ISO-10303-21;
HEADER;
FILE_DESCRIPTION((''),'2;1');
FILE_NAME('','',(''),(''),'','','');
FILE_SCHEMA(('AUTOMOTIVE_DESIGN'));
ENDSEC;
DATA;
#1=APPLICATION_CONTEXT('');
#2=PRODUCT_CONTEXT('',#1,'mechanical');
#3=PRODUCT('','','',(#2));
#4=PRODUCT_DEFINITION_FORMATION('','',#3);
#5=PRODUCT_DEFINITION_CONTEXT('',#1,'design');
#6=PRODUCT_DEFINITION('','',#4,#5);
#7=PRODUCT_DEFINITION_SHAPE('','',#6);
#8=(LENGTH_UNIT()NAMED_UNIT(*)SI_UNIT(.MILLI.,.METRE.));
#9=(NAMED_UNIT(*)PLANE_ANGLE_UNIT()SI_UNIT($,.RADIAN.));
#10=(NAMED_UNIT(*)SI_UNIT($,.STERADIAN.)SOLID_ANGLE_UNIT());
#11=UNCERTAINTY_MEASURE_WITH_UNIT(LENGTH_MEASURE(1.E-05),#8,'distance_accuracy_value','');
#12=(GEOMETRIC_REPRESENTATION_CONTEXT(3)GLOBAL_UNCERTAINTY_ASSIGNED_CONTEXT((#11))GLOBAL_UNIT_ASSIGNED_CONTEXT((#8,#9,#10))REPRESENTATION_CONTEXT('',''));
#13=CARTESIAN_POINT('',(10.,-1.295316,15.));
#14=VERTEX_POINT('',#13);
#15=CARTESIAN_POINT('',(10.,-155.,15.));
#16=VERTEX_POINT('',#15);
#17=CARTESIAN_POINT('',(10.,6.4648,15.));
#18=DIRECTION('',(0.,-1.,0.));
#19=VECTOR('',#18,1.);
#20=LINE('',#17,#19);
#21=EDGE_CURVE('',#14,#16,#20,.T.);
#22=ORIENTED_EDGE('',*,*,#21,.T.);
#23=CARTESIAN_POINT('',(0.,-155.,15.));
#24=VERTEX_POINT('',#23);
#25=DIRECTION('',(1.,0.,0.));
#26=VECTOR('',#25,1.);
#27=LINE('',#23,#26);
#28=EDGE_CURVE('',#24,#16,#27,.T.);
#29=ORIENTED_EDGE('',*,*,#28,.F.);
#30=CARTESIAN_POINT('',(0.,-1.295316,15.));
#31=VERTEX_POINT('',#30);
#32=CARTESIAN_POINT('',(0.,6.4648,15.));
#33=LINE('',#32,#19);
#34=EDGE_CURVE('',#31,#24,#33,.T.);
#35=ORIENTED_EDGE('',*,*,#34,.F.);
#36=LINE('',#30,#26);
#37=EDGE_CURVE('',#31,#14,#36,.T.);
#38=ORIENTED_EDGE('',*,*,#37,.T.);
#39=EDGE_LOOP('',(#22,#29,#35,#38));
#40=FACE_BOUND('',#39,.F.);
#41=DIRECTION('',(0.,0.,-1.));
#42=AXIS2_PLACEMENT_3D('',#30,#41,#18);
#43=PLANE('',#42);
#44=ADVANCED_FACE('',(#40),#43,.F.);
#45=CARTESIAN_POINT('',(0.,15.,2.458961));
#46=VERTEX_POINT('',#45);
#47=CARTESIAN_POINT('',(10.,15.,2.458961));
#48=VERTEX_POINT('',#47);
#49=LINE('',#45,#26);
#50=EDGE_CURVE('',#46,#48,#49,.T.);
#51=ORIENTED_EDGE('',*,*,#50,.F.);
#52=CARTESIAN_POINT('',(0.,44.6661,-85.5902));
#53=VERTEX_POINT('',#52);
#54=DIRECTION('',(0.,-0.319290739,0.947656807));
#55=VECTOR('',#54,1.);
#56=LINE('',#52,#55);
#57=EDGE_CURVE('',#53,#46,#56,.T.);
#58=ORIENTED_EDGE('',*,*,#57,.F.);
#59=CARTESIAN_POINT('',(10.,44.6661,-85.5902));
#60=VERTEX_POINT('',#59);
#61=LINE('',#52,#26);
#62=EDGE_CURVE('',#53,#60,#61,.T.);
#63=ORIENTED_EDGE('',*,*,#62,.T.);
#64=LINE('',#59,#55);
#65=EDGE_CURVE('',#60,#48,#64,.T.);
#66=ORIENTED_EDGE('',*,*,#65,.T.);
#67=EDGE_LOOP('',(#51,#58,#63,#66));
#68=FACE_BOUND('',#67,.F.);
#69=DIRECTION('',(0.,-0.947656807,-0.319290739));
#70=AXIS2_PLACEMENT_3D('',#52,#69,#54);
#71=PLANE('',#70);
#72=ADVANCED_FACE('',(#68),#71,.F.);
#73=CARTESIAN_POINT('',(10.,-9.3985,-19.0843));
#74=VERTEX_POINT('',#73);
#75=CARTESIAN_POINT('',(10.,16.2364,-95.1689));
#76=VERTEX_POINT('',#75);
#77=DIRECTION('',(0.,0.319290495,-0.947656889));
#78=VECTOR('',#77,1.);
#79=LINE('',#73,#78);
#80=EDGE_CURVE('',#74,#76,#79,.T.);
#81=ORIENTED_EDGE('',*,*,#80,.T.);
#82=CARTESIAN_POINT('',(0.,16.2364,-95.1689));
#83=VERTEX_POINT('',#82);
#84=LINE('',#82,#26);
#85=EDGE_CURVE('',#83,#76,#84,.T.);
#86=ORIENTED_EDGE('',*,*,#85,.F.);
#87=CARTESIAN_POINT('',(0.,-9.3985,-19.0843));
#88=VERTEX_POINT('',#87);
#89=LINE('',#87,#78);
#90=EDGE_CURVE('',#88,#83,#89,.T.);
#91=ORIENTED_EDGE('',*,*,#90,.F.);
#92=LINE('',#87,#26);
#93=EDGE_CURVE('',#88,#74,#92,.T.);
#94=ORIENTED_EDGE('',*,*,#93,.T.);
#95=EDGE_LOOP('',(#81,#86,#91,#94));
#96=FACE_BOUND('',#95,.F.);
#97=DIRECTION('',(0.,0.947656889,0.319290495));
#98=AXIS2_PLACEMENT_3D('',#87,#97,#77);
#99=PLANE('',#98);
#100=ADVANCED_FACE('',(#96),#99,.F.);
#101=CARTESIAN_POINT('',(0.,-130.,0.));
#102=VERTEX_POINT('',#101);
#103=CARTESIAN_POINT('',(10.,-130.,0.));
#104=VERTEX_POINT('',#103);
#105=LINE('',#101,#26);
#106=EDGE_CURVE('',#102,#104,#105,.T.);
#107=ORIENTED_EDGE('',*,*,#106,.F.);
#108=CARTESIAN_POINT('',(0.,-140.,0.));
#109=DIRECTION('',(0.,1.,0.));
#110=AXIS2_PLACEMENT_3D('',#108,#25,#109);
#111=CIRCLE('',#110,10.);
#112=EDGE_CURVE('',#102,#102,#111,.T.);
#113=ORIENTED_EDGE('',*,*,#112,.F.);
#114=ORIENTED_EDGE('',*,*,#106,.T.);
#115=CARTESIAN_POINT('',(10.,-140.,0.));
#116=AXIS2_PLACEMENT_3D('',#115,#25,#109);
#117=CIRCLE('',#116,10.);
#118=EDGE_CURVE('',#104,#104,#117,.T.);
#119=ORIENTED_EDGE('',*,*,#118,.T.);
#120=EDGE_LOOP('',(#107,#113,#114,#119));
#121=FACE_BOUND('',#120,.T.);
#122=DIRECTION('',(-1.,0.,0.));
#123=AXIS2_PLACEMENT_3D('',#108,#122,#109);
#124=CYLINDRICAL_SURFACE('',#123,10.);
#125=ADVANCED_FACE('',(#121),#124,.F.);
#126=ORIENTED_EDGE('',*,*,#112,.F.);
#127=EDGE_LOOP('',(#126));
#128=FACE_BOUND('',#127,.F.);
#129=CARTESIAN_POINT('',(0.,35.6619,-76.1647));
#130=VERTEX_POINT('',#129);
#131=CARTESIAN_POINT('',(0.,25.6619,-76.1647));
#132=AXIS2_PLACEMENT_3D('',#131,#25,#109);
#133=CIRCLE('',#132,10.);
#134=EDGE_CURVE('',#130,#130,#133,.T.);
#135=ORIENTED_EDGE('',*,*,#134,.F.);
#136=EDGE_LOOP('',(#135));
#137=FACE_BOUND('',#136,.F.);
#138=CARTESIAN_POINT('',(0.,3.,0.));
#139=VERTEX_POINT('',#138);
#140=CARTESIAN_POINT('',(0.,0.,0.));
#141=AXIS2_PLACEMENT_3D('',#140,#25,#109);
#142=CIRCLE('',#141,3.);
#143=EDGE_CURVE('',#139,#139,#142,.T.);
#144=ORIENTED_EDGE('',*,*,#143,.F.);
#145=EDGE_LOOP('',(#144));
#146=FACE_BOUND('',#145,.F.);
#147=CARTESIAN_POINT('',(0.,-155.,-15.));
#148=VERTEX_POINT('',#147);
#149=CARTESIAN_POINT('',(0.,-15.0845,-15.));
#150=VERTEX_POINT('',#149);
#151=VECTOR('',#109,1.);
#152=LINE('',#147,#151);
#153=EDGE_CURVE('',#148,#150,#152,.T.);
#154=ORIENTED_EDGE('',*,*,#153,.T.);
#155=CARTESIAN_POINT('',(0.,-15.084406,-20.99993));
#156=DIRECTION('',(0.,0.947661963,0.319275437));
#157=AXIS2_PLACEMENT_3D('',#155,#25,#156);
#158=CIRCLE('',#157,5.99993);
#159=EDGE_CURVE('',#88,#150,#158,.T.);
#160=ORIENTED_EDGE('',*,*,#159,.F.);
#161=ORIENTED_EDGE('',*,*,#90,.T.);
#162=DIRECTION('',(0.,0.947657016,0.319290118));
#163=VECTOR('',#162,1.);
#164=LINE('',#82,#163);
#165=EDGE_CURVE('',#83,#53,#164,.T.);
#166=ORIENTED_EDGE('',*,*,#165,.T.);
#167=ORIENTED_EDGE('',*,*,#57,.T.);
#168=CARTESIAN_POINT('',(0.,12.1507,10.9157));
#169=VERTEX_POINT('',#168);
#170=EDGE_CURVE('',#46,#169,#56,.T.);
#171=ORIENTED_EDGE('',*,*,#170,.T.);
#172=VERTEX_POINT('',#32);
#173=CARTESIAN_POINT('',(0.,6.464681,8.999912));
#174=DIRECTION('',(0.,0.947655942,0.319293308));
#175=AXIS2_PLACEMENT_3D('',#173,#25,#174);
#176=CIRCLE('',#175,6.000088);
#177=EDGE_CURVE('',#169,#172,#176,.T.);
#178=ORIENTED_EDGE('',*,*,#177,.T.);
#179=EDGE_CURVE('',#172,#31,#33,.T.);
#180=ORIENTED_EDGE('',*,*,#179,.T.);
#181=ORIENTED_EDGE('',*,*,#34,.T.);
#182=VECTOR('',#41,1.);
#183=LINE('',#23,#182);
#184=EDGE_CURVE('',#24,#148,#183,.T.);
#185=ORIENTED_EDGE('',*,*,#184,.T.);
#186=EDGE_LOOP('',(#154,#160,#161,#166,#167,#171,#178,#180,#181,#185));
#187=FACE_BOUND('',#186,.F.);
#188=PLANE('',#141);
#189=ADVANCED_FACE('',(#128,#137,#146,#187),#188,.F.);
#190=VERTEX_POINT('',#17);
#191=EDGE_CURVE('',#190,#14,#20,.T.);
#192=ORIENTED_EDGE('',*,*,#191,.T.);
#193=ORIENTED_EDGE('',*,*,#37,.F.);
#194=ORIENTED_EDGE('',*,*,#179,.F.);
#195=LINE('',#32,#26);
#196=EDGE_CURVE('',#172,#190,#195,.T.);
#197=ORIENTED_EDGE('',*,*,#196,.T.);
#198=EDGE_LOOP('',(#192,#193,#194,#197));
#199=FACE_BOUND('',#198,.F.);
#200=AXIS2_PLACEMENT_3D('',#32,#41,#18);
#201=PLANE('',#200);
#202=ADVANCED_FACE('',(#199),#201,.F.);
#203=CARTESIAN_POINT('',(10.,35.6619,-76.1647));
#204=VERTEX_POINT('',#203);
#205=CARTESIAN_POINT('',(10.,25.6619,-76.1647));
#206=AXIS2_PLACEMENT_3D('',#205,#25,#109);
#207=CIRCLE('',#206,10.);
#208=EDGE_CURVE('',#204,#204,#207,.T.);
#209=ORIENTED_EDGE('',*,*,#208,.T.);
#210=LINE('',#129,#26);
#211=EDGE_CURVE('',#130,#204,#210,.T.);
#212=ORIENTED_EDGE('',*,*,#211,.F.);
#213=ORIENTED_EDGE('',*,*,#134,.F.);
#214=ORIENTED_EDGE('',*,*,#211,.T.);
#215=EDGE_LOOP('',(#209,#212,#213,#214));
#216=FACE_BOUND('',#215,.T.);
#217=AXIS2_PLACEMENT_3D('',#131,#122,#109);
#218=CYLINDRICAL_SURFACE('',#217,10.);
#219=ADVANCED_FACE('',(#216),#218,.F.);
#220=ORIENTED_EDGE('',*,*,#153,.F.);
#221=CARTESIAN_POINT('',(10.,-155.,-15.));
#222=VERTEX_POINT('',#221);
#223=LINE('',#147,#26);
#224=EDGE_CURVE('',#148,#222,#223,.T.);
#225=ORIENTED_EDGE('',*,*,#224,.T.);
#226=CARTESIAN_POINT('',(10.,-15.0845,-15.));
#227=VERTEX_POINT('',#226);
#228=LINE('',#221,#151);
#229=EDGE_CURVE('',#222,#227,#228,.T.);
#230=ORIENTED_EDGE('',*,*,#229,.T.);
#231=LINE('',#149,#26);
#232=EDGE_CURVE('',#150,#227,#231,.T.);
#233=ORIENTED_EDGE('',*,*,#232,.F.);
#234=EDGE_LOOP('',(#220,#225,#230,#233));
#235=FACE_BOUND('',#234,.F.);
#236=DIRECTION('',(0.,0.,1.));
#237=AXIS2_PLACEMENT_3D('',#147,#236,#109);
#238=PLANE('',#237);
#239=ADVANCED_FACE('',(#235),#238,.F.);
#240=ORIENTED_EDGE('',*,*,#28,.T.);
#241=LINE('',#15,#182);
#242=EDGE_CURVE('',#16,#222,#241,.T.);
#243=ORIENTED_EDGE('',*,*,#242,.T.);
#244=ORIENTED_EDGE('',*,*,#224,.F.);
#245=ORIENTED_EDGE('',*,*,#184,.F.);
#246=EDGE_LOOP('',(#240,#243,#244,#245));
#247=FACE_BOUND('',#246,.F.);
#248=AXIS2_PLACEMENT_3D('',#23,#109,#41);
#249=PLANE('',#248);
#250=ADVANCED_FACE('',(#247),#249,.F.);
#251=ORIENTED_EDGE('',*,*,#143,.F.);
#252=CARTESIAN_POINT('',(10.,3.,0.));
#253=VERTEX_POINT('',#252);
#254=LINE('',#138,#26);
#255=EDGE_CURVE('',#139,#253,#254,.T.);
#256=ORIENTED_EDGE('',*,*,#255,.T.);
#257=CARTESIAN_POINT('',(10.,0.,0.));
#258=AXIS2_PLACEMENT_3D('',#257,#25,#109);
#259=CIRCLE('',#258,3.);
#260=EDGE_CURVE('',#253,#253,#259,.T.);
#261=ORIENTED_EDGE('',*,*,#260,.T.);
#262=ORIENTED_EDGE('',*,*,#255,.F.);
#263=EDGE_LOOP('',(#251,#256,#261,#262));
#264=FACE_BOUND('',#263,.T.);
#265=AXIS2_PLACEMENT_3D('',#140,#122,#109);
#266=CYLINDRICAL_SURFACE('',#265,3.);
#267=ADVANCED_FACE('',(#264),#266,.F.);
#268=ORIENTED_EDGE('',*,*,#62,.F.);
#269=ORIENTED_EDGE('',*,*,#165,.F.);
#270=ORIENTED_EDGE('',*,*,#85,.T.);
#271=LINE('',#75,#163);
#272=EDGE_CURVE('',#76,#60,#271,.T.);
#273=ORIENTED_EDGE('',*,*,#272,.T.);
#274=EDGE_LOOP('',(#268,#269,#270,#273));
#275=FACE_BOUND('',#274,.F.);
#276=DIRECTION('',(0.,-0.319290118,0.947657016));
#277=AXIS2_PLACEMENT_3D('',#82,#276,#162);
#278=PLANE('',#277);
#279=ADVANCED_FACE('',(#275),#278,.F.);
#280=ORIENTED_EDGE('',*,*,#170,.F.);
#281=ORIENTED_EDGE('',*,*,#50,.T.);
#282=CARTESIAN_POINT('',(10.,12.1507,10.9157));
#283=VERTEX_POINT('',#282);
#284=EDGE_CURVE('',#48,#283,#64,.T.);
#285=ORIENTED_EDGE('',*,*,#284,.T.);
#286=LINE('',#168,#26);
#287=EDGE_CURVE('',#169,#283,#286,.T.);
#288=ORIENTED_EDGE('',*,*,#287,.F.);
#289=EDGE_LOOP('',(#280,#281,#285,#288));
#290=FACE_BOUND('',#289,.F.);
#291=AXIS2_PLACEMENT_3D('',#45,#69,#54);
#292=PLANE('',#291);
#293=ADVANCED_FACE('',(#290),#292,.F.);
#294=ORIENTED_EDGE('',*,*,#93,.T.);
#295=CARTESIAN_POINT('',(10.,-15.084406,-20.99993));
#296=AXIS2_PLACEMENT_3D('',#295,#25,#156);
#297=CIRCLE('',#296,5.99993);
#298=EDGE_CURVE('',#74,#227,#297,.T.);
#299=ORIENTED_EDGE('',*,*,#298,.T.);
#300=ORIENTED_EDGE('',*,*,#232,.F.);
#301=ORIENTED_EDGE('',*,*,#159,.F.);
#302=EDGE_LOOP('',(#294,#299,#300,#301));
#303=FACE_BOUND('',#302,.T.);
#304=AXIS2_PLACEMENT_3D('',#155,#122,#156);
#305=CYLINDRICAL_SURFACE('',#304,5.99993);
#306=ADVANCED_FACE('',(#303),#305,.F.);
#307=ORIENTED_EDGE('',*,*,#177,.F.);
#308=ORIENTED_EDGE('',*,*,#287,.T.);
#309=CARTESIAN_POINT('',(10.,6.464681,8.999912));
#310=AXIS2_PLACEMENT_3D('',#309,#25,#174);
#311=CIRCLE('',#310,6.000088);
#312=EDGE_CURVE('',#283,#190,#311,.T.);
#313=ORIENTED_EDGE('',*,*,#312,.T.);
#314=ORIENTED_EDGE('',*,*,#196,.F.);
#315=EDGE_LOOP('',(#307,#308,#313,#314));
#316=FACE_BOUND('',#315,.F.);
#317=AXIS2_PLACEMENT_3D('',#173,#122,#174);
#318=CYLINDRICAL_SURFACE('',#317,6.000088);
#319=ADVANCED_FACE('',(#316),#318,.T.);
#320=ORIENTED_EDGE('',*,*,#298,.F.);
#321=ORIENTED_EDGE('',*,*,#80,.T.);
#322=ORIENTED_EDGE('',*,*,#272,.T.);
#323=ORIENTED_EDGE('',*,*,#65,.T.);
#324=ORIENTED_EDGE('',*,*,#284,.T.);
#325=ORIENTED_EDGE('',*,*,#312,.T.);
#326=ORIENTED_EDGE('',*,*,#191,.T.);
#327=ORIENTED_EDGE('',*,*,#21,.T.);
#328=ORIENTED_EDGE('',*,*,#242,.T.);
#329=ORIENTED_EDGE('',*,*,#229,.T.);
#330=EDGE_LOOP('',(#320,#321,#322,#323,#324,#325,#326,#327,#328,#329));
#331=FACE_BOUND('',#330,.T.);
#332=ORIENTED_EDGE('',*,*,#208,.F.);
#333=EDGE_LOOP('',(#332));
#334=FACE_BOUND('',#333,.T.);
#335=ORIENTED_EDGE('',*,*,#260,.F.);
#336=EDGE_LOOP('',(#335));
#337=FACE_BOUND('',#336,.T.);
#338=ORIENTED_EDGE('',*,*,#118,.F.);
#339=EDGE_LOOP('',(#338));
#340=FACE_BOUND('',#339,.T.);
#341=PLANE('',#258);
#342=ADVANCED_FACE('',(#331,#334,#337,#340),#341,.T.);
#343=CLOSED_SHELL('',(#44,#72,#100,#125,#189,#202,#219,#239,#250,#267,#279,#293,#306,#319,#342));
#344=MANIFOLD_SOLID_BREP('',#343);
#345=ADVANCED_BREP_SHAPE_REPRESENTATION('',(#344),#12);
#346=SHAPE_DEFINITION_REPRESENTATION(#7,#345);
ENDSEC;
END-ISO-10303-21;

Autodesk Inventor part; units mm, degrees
ref_plane "YZ Plane" through (0, 0, 0) normal (1, 0, 0) x (0, 1, 0)
ref_plane "XZ Plane" through (0, 0, 0) normal (0, 1, 0) x (-1, 0, 0)
ref_plane "XY Plane" through (0, 0, 0) normal (0, 0, 1) x (1, 0, 0)
sketch "Sketch1" plane through (0, 0, 0) normal (1, 0, 0) x (0, 1, 0)
  circle A0 centre (0, 0) radius 3
  line L0 (6.4648, 15) -> (-155, 15)
  line L1 (-155, 15) -> (-155, -15)
  line L2 (-155, -15) -> (-15.0845, -15)
  line L3 (15, -15) -> (15, 15)
  line L4 (-9.3985, -19.0843) -> (16.2364, -95.1689)
  line L5 (16.2364, -95.1689) -> (44.6661, -85.5902)
  line L6 (44.6661, -85.5902) -> (12.1507, 10.9157)
  line L7 (9.5442, 18.6521) -> (-18.8856, 9.0734)
  arc A1 (-9.3985, -19.0843) -> (-15.0845, -15) centre (-15.0845, -21) ccw
  arc A2 (12.1507, 10.9157) -> (6.4648, 15) centre (6.4648, 9) ccw
  circle A3 centre (-140, 0) radius 10
  circle A4 centre (-140, 0) radius 3
  circle A5 centre (25.6619, -76.1647) radius 10
  dimension "d0" = 6
  dimension "d1" = 170
  dimension "d2" = 30
  dimension "d3" = 110
  dimension "d6" = 108.62
  dimension "d7" = 15
  dimension "d8" = 15
  dimension "d9" = 6
  dimension "d10" = 20
  dimension "d11" = 6
  dimension "d12" = 15
  dimension "d13" = 20
extrude "Extrusion1" add sketch "Sketch1" along normal blind 10 contours A2 L6 L5 L4 A1 L2 L1 L0
properties part number "bogie1"
